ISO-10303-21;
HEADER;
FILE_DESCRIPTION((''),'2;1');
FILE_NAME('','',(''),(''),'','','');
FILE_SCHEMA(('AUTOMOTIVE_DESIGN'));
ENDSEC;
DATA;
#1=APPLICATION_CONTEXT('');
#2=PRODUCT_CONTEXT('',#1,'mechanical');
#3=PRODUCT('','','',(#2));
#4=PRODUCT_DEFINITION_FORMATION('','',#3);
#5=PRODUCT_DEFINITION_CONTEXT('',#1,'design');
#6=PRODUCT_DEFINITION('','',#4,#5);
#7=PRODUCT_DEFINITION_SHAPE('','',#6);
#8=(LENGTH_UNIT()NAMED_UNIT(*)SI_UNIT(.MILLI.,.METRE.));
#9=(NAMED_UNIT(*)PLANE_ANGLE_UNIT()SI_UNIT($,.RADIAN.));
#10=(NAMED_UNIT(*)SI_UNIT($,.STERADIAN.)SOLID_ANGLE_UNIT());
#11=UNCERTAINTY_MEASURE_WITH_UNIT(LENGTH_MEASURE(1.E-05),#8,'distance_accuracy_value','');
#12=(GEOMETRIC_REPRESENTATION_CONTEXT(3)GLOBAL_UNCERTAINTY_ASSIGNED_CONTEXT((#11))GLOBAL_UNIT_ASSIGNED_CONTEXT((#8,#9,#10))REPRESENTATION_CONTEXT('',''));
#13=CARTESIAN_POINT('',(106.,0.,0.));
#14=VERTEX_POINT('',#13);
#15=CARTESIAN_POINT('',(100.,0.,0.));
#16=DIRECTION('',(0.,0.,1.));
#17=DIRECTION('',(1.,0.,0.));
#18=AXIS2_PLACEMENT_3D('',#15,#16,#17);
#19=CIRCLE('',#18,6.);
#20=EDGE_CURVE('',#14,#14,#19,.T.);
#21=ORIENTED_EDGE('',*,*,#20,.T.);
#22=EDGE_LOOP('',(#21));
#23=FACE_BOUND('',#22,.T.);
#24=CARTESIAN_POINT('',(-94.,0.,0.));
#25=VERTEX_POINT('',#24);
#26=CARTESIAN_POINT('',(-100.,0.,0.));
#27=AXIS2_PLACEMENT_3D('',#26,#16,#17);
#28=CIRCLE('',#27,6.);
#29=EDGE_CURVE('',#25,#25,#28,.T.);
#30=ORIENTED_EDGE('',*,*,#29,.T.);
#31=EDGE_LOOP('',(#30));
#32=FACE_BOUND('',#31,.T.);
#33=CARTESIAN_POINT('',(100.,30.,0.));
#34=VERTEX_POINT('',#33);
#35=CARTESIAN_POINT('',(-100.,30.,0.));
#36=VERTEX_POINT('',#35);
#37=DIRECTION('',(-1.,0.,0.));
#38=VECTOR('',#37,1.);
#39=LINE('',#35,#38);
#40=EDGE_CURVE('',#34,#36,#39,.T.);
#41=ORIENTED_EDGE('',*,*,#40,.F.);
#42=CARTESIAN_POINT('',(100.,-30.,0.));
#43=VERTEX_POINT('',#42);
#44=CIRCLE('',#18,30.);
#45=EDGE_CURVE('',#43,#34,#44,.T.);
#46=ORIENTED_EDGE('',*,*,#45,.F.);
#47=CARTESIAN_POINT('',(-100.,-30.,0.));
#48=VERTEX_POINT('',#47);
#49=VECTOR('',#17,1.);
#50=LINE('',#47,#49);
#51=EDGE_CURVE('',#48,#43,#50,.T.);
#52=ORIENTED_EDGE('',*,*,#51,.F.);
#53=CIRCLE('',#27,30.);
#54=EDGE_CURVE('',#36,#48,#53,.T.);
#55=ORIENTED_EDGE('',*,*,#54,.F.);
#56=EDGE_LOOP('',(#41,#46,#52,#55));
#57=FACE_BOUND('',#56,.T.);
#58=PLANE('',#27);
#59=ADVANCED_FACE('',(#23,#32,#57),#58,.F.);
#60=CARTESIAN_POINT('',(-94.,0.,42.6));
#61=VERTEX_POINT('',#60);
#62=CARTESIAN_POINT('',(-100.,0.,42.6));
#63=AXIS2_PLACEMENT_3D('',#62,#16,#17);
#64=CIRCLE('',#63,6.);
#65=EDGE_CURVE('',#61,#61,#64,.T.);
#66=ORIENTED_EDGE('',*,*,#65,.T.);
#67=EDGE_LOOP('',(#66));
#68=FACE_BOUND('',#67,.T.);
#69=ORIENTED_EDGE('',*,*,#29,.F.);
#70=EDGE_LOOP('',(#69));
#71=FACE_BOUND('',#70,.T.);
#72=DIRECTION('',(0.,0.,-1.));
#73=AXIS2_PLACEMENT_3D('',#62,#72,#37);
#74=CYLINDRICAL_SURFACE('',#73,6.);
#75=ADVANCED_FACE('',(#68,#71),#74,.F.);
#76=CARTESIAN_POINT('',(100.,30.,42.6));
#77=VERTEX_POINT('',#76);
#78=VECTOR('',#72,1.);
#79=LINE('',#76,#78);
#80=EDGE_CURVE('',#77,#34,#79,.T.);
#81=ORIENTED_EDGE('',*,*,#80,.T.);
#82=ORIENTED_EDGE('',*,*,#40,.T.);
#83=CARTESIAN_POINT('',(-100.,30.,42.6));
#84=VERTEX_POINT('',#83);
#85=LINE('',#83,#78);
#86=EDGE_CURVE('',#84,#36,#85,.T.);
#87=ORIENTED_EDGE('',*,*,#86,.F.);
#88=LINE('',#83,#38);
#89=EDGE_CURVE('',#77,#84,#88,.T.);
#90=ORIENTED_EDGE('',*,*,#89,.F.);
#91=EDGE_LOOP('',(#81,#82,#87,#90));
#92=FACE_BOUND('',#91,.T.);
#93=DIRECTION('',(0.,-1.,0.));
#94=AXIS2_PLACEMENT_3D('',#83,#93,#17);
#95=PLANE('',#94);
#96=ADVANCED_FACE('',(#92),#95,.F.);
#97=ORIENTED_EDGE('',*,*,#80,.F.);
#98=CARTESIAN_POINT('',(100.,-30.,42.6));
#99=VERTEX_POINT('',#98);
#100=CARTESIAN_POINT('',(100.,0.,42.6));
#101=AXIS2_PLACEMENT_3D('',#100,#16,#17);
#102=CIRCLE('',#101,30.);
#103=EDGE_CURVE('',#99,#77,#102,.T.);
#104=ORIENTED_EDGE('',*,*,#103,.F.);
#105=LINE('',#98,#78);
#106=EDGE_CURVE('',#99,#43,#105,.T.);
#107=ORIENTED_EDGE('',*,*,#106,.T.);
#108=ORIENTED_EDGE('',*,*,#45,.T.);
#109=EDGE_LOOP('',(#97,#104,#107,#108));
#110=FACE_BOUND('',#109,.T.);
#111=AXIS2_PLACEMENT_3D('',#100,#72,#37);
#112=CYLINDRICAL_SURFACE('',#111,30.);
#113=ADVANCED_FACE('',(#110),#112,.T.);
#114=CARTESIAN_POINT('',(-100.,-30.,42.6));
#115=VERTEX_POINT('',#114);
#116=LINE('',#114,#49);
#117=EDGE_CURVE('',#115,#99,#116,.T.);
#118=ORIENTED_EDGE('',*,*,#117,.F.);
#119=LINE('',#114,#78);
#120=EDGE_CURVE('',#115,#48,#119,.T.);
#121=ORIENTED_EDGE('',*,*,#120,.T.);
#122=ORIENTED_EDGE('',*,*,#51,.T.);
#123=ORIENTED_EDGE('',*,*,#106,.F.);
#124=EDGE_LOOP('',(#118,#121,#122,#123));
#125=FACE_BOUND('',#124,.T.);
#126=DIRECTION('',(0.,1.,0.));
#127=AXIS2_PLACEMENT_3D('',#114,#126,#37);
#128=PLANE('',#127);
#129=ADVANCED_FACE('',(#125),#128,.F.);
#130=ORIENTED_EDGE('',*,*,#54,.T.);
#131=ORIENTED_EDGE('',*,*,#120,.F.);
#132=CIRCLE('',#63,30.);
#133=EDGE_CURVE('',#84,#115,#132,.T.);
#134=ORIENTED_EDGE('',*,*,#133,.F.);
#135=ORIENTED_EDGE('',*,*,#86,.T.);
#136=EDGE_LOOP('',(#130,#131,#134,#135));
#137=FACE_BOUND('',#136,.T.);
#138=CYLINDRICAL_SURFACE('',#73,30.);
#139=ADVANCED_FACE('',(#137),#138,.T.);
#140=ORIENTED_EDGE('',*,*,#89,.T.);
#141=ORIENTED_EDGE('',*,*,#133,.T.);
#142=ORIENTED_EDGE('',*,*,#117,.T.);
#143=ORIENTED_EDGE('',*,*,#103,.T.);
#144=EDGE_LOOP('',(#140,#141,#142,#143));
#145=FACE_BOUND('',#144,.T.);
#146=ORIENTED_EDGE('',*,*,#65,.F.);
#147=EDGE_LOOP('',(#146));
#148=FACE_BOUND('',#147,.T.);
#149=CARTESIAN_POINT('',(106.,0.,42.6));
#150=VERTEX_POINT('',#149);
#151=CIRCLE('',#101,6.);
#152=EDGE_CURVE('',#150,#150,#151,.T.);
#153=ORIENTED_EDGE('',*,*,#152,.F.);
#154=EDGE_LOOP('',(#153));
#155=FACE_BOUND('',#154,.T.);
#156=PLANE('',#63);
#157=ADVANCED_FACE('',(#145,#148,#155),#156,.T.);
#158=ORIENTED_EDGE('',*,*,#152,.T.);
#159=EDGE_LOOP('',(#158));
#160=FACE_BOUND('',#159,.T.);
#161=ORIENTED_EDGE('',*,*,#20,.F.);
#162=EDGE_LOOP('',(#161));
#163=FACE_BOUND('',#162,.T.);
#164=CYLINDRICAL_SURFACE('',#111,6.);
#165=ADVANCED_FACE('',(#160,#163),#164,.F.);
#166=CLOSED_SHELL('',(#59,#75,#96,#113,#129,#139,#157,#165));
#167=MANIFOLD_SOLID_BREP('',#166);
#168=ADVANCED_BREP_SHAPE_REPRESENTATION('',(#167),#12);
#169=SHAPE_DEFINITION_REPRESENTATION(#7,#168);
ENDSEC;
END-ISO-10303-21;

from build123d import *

# Parameters (mm, degrees)
SKETCH1_R           = 6
BOSS_EXTRUDE1_DEPTH = 42.6


with BuildPart() as part:
    # Sketch1 → Boss-Extrude1 (new body)
    with BuildSketch(Plane.XY):
        with BuildLine():
            Line((-100, 30), (100, 30))
            ThreePointArc((100, 30), (130, 0), (100, -30))
            Line((100, -30), (-100, -30))
            ThreePointArc((-100, -30), (-130, 0), (-100, 30))
        make_face()
        with Locations((-100, 0)):
            Circle(SKETCH1_R, mode=Mode.SUBTRACT)
        with Locations((100, 0)):
            Circle(SKETCH1_R, mode=Mode.SUBTRACT)
    extrude(amount=BOSS_EXTRUDE1_DEPTH)


solid = part.part
